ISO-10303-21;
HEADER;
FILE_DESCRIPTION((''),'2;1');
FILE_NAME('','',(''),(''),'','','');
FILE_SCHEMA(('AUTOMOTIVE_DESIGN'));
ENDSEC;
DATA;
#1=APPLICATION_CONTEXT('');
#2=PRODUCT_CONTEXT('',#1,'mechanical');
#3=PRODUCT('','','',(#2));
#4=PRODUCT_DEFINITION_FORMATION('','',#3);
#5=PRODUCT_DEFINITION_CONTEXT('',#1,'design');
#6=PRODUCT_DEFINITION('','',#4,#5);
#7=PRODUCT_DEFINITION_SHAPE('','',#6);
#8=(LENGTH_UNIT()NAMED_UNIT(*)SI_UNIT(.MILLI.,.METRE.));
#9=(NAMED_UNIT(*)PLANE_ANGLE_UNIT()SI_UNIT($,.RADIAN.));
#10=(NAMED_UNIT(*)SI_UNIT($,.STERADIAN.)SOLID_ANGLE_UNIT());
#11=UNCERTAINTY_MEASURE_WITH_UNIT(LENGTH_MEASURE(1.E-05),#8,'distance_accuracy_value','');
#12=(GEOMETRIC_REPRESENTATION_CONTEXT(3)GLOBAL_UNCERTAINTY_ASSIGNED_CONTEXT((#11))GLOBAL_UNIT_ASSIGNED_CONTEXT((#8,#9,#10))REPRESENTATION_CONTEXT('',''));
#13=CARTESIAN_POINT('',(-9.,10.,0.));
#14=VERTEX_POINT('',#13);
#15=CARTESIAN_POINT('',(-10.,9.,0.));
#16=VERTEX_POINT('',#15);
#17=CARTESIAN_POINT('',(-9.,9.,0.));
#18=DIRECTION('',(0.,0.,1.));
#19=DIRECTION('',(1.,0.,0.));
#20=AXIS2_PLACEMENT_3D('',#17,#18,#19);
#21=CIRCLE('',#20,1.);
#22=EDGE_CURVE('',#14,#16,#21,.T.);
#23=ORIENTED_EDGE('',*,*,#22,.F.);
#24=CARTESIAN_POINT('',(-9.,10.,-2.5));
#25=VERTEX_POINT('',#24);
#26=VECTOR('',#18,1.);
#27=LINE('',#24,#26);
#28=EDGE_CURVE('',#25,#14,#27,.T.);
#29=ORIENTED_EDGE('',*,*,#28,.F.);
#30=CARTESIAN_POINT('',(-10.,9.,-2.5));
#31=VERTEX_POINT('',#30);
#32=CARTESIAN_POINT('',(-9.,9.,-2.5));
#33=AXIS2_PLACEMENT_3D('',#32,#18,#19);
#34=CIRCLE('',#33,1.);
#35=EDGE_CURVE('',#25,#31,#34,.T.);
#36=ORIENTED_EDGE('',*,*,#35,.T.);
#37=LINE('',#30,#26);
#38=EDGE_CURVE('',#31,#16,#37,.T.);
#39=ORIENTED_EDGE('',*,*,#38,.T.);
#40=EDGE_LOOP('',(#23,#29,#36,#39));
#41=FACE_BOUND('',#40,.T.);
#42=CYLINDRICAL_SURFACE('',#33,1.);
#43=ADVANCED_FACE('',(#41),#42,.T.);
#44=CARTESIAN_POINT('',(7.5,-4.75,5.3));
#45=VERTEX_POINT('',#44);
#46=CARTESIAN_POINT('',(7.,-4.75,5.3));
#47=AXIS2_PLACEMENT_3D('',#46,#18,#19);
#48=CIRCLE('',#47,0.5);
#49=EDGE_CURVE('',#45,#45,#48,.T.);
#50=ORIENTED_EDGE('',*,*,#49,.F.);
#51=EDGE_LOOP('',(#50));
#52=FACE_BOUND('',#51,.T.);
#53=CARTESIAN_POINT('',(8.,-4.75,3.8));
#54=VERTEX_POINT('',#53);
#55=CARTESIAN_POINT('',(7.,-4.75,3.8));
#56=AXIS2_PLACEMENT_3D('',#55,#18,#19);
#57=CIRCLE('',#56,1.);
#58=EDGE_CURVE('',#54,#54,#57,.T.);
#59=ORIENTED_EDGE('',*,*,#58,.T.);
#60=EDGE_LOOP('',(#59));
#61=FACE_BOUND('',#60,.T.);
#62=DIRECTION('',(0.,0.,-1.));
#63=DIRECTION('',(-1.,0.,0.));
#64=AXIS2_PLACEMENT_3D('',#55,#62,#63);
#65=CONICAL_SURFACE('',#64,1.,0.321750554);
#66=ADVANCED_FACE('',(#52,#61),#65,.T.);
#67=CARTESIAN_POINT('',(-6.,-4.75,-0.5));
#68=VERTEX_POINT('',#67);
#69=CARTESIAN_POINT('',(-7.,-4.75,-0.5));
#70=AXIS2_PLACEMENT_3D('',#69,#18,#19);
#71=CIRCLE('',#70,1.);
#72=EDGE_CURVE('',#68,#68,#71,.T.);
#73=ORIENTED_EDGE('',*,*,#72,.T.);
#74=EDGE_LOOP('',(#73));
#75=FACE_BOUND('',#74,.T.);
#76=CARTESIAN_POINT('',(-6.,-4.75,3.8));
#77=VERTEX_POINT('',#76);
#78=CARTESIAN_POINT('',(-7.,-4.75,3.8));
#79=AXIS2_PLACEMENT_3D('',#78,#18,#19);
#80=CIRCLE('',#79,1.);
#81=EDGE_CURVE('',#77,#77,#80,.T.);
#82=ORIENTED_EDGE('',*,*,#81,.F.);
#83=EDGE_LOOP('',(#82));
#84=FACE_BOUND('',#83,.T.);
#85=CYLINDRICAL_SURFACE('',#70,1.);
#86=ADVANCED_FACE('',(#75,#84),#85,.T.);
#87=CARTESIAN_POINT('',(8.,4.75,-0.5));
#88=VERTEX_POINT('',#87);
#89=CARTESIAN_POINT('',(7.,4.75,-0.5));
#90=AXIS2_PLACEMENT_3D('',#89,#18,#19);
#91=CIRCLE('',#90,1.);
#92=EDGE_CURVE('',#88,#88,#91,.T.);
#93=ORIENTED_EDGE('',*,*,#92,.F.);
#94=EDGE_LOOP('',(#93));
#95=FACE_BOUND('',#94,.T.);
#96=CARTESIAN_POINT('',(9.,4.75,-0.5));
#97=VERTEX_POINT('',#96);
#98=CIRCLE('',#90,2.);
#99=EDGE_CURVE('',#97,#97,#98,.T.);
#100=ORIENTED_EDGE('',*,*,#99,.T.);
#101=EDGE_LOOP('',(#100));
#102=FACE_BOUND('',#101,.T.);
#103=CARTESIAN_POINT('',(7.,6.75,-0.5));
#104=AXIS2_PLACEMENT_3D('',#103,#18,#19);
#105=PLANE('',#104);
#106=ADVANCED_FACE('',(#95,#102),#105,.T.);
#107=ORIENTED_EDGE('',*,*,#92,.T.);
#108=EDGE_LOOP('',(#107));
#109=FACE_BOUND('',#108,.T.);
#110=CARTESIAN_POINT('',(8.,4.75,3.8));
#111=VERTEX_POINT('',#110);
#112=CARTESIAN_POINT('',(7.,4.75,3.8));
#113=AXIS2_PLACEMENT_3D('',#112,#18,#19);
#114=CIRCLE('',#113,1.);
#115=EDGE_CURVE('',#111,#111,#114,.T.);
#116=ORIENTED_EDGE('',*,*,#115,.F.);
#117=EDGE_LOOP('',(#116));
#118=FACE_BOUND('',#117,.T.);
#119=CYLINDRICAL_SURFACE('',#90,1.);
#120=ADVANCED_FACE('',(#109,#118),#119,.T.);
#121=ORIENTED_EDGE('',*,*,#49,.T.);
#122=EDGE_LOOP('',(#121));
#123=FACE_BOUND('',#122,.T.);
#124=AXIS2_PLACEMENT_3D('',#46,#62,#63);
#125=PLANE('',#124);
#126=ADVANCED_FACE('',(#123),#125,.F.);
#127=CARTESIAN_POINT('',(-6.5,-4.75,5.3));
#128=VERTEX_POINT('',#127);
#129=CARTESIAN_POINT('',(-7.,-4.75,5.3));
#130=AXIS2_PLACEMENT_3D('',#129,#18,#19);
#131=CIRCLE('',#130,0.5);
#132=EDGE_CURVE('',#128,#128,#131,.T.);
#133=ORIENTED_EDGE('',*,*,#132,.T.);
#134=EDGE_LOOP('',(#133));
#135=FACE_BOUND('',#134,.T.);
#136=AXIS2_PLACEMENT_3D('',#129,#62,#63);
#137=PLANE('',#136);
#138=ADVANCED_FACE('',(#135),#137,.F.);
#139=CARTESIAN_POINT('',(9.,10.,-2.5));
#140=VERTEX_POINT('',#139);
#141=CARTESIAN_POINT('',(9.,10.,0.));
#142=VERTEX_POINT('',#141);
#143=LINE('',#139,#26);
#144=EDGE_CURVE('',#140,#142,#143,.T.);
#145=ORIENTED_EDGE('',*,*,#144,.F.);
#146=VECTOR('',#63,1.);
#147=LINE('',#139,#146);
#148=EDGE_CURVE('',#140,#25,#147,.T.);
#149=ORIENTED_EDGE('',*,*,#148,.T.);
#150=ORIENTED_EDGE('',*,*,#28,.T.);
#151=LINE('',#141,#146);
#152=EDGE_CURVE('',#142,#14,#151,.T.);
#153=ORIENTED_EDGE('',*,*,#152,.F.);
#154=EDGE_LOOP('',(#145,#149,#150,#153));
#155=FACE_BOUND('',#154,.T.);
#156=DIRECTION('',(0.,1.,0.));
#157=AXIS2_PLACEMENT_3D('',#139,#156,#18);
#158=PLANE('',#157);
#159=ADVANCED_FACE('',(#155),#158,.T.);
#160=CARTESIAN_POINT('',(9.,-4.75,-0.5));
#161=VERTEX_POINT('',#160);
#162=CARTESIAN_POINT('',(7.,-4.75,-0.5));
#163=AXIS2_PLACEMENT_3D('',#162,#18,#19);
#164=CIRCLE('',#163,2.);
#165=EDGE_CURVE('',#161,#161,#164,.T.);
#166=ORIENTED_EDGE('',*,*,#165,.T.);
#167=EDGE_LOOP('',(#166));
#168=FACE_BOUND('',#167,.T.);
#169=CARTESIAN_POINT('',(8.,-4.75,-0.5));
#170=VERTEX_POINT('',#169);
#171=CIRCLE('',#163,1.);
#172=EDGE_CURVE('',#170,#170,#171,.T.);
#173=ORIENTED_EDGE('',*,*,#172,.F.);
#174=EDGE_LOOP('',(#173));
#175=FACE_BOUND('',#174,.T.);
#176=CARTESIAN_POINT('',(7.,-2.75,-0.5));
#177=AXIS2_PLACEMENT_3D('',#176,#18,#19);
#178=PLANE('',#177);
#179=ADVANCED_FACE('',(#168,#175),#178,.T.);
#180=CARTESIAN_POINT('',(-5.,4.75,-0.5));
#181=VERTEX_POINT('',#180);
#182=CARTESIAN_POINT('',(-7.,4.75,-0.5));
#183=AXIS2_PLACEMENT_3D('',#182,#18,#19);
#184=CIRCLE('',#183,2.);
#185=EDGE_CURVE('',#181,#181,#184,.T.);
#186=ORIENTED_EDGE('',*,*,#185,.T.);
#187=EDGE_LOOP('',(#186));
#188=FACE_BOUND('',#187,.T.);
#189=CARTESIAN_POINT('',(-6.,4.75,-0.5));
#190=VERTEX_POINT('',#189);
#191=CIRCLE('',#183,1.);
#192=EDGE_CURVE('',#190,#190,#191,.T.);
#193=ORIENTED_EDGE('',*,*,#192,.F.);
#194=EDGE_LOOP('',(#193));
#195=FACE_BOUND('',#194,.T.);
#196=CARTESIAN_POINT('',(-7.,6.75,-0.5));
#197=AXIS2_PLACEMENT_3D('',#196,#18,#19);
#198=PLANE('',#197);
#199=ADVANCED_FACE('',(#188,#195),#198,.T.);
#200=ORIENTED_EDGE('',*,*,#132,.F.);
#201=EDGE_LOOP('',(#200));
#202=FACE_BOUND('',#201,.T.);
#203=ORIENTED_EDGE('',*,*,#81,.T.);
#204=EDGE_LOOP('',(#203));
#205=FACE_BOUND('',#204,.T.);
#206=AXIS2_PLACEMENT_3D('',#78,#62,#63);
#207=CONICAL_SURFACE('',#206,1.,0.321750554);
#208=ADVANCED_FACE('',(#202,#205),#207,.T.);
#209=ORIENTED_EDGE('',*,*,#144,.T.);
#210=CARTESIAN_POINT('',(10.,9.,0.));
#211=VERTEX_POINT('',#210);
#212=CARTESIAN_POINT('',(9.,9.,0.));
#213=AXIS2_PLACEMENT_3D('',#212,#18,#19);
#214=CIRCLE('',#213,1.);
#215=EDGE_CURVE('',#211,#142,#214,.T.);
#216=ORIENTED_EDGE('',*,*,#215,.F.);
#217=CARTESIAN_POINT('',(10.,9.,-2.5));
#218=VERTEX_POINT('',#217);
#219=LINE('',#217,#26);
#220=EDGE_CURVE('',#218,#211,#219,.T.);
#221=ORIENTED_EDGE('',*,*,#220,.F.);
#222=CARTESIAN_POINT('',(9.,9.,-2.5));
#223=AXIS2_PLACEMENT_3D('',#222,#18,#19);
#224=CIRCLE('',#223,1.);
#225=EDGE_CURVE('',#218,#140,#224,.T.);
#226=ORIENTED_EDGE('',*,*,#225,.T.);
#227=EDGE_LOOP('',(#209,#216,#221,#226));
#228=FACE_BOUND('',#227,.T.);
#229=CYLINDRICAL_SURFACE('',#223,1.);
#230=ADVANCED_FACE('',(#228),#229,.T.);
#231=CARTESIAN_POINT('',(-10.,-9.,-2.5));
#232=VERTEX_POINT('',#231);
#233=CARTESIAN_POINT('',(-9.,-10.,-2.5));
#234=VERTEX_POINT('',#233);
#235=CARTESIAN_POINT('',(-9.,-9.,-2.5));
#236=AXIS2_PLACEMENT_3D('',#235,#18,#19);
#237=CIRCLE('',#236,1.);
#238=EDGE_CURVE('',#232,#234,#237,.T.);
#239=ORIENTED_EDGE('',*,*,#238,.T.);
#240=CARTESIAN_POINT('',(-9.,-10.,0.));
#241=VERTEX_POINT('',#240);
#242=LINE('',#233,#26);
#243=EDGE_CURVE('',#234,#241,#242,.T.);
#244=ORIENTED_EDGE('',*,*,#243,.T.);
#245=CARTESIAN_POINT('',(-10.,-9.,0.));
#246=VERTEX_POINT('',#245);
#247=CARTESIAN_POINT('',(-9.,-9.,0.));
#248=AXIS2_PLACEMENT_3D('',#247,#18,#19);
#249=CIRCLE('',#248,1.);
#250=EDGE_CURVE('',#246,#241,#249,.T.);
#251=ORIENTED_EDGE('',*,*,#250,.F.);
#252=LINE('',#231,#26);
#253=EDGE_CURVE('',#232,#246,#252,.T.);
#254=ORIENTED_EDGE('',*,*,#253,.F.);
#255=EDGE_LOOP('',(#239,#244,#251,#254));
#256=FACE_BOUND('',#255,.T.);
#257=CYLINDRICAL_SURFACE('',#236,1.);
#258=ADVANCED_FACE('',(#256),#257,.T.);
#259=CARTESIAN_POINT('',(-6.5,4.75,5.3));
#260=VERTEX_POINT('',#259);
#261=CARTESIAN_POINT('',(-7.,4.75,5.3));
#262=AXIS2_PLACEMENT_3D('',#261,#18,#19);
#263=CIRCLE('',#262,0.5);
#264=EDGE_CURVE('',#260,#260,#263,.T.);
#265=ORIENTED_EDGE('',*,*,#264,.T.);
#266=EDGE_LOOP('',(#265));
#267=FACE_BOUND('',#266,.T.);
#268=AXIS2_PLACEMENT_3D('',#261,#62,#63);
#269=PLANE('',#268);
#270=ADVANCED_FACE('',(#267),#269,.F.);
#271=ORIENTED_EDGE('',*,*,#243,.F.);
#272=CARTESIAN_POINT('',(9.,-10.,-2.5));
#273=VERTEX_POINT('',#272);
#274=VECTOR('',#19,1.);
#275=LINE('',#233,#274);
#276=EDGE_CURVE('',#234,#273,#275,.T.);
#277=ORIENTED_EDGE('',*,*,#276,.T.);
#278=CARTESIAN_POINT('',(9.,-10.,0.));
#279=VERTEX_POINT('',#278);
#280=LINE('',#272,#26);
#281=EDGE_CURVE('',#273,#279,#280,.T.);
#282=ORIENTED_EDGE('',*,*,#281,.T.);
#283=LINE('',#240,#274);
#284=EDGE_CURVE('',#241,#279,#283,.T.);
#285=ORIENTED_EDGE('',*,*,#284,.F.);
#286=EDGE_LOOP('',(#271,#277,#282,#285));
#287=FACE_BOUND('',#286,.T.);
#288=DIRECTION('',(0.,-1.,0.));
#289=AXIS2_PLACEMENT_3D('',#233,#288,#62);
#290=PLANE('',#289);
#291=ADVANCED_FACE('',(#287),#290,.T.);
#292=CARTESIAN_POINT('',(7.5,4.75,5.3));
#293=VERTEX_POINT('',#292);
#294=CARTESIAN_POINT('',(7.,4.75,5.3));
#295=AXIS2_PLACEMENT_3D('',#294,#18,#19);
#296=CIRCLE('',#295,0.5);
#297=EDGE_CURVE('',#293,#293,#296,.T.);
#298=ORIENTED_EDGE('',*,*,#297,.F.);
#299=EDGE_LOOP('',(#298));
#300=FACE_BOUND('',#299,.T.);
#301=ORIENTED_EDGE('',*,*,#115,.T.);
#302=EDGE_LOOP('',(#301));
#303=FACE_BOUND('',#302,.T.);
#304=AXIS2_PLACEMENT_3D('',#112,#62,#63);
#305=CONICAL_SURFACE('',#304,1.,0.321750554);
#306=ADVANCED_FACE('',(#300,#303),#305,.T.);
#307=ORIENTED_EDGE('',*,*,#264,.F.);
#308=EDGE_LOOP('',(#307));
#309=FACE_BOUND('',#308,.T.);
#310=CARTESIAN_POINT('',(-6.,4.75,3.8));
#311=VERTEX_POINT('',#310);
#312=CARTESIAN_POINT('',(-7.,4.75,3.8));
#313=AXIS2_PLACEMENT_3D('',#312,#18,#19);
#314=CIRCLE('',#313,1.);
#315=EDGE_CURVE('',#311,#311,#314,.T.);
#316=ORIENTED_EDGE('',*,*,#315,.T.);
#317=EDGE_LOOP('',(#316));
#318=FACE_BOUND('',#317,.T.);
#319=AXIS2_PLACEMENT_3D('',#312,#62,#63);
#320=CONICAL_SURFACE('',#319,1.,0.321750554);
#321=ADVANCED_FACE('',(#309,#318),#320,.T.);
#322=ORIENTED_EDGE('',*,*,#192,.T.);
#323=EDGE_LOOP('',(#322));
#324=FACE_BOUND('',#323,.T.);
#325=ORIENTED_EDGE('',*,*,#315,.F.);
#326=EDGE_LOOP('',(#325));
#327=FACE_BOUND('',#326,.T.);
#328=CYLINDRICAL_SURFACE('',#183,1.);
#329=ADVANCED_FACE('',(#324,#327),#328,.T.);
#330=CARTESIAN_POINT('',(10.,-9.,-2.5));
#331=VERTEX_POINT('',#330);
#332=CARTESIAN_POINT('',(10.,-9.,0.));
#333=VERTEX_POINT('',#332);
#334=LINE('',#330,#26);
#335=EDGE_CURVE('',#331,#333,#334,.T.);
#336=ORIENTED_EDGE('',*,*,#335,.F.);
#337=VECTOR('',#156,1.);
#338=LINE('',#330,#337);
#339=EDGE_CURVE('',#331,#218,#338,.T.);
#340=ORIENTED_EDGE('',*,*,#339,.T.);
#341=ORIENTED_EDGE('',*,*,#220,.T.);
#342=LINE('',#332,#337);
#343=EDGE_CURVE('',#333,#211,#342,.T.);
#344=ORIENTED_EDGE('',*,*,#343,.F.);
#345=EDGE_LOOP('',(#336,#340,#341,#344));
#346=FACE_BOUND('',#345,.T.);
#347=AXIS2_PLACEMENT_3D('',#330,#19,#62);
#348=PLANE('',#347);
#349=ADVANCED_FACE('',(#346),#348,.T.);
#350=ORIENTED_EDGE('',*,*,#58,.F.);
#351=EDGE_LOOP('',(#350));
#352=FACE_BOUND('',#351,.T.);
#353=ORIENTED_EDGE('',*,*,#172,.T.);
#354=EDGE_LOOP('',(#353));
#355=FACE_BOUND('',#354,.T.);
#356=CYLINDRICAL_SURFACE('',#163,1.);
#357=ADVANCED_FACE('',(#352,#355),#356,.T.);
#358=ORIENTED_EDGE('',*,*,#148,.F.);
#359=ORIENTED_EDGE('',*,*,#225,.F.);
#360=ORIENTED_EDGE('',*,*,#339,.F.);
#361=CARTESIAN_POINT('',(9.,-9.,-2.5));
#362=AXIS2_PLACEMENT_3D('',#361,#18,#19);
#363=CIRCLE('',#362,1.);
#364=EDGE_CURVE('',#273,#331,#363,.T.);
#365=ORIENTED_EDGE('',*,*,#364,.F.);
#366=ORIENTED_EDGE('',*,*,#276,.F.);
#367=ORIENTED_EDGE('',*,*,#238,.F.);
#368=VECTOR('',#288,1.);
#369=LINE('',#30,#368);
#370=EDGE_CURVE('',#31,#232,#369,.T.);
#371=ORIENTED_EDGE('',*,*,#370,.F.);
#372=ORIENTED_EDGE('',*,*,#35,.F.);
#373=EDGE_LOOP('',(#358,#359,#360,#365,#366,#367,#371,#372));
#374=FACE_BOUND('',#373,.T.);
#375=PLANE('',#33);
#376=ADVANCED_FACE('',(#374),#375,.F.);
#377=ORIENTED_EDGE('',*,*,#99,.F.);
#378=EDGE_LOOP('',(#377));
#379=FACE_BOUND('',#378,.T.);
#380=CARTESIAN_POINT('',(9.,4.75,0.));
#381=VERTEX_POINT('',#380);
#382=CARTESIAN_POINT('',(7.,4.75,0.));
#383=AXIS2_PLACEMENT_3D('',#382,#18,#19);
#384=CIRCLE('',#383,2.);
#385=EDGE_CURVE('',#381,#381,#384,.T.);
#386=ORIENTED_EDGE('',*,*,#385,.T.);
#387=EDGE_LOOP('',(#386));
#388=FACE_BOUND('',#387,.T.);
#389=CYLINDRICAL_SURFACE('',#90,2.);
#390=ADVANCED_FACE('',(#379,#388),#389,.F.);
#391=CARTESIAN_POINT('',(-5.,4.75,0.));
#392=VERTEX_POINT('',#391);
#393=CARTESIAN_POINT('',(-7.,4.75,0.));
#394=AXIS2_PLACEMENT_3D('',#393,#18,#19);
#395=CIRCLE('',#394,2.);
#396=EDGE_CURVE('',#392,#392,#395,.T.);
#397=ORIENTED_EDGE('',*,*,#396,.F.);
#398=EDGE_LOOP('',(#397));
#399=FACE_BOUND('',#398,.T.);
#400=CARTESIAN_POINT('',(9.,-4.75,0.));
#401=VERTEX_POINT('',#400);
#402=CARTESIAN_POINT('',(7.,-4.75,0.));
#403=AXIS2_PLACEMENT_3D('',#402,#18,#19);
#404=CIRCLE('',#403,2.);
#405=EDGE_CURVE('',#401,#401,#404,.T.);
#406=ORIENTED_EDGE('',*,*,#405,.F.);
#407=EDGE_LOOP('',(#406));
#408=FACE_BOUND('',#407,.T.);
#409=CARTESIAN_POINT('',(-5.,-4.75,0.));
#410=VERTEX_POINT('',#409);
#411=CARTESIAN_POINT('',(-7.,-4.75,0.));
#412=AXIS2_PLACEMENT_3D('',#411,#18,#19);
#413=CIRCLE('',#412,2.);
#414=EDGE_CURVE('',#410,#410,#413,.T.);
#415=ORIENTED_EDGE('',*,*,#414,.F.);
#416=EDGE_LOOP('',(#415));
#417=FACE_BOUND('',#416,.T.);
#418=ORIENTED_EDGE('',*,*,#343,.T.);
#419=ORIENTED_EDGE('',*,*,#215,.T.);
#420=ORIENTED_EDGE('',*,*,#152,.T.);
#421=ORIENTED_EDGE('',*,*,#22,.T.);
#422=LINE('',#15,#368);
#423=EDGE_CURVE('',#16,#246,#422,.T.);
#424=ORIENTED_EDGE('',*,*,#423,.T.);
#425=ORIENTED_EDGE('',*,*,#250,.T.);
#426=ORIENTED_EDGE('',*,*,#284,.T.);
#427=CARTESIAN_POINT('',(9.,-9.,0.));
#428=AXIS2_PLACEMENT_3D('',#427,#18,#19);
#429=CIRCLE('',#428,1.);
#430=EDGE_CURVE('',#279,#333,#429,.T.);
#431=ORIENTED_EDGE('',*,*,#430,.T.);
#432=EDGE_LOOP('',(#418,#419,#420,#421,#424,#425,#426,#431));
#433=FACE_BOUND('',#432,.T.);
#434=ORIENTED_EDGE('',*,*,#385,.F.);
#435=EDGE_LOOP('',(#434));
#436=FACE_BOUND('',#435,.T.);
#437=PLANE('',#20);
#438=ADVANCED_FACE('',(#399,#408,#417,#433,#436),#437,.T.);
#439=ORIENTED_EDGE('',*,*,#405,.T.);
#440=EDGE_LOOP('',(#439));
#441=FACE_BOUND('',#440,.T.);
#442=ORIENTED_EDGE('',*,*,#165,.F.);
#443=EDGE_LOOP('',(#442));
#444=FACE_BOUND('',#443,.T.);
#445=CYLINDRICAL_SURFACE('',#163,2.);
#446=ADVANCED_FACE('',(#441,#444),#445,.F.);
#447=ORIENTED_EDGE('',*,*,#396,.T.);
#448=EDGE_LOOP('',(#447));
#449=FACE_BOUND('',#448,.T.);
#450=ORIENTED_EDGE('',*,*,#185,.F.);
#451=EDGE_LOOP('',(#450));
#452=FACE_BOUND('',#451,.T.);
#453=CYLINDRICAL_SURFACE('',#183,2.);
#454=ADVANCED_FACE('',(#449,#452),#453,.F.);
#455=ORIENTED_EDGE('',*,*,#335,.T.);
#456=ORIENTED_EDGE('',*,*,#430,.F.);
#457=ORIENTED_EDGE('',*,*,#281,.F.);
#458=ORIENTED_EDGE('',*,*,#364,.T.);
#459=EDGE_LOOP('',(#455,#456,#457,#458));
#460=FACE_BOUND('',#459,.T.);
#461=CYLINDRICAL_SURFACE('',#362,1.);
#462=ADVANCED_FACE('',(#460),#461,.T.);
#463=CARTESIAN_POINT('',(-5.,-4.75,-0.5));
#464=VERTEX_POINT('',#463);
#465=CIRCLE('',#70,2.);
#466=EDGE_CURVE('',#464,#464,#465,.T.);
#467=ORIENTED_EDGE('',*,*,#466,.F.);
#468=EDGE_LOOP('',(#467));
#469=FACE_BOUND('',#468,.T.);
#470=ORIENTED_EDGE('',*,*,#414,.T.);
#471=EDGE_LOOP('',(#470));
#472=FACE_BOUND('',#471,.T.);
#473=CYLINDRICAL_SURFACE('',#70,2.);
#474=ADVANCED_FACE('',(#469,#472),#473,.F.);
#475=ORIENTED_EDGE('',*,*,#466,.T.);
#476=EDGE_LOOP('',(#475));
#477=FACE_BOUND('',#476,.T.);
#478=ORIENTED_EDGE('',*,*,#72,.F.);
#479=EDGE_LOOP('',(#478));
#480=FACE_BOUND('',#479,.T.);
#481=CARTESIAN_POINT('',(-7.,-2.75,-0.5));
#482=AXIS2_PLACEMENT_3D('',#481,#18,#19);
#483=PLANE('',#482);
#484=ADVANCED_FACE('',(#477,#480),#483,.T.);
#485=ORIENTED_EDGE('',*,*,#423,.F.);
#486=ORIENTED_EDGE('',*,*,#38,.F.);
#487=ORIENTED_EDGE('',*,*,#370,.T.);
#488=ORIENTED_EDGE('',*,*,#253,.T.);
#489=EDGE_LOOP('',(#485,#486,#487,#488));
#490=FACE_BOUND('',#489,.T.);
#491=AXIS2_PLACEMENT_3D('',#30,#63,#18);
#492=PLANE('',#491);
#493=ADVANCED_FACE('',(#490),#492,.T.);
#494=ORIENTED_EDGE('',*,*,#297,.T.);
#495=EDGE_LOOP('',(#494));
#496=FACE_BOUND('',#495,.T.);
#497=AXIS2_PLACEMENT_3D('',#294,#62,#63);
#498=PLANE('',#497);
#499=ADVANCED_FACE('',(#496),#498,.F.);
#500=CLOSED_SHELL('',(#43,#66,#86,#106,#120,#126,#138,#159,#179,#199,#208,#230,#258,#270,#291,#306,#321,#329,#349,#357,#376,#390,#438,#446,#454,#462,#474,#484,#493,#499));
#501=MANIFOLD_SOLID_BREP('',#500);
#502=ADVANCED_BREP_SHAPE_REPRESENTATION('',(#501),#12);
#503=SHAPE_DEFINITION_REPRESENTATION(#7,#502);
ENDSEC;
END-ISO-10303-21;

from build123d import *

# Parameters (mm, degrees)
BOSS_EXTRUDE1_DEPTH = 2.5
SKETCH2_W           = 0.5
SKETCH2_H           = 2
SKETCH3_W           = 0.5
SKETCH3_H           = 2
SKETCH4_W           = 0.5
SKETCH4_H           = 2
SKETCH5_W           = 0.5
SKETCH5_H           = 2


with BuildPart() as part:
    # Sketch1 → Boss-Extrude1 (new body)
    with BuildSketch(Plane.XY):
        with BuildLine():
            Line((-10, 9), (-10, -9))
            ThreePointArc((-10, -9), (-9.707106781, -9.707106781), (-9, -10))
            Line((-9, -10), (9, -10))
            ThreePointArc((9, -10), (9.707106781, -9.707106781), (10, -9))
            Line((10, -9), (10, 9))
            ThreePointArc((10, 9), (9.707106781, 9.707106781), (9, 10))
            Line((9, 10), (-9, 10))
            ThreePointArc((-9, 10), (-9.707106781, 9.707106781), (-10, 9))
        make_face()
    extrude(amount=-BOSS_EXTRUDE1_DEPTH)

    # Sketch2 → Cut-Revolve1 (revolve, cut)
    with BuildSketch(Plane(origin=(-7, 0, 0), x_dir=(0, 0, -1), z_dir=(1, 0, 0))):
        with Locations((0.25, 5.75)):
            Rectangle(SKETCH2_W, SKETCH2_H)
    revolve(axis=Axis((-7, 4.75, -0.5), (0, 0, 1)), mode=Mode.SUBTRACT)

    # Sketch3 → Cut-Revolve2 (revolve, cut)
    with BuildSketch(Plane(origin=(7, 0, 0), x_dir=(0, 0, -1), z_dir=(1, 0, 0))):
        with Locations((0.25, 5.75)):
            Rectangle(SKETCH3_W, SKETCH3_H)
    revolve(axis=Axis((7, 4.75, -0.5), (0, 0, 1)), mode=Mode.SUBTRACT)

    # Sketch4 → Cut-Revolve3 (revolve, cut)
    with BuildSketch(Plane(origin=(7, 0, 0), x_dir=(0, 0, -1), z_dir=(1, 0, 0))):
        with Locations((0.25, -3.75)):
            Rectangle(SKETCH4_W, SKETCH4_H)
    revolve(axis=Axis((7, -4.75, -0.5), (0, 0, 1)), mode=Mode.SUBTRACT)

    # Sketch5 → Cut-Revolve4 (revolve, cut)
    with BuildSketch(Plane(origin=(-7, 0, 0), x_dir=(0, 0, -1), z_dir=(1, 0, 0))):
        with Locations((0.25, -3.75)):
            Rectangle(SKETCH5_W, SKETCH5_H)
    revolve(axis=Axis((-7, -4.75, -0.5), (0, 0, 1)), mode=Mode.SUBTRACT)

    # Sketch6 → Revolve1 (revolve)
    with BuildSketch(Plane(origin=(-7, 0, 0), x_dir=(0, 0, -1), z_dir=(1, 0, 0))):
        Polygon((-5.3, 4.75), (-5.3, 5.25), (-3.8, 5.75), (0.5, 5.75), (0.5, 4.75), align=None)
    revolve(axis=Axis((-7, 4.75, -0.5), (0, 0, 1)))

    # Sketch7 → Revolve2 (revolve)
    with BuildSketch(Plane(origin=(7, 0, 0), x_dir=(0, 0, -1), z_dir=(1, 0, 0))):
        Polygon((-5.3, 4.75), (-5.3, 5.25), (-3.8, 5.75), (0.5, 5.75), (0.5, 4.75), align=None)
    revolve(axis=Axis((7, 4.75, -0.5), (0, 0, 1)))

    # Sketch8 → Revolve3 (revolve)
    with BuildSketch(Plane(origin=(7, 0, 0), x_dir=(0, 0, -1), z_dir=(1, 0, 0))):
        Polygon((-5.3, -4.75), (-5.3, -4.25), (-3.8, -3.75), (0.5, -3.75), (0.5, -4.75), align=None)
    revolve(axis=Axis((7, -4.75, -0.5), (0, 0, 1)))

    # Sketch9 → Revolve4 (revolve)
    with BuildSketch(Plane(origin=(-7, 0, 0), x_dir=(0, 0, -1), z_dir=(1, 0, 0))):
        Polygon((-5.3, -4.75), (-5.3, -4.25), (-3.8, -3.75), (0.5, -3.75), (0.5, -4.75), align=None)
    revolve(axis=Axis((-7, -4.75, -0.5), (0, 0, 1)))


solid = part.part
